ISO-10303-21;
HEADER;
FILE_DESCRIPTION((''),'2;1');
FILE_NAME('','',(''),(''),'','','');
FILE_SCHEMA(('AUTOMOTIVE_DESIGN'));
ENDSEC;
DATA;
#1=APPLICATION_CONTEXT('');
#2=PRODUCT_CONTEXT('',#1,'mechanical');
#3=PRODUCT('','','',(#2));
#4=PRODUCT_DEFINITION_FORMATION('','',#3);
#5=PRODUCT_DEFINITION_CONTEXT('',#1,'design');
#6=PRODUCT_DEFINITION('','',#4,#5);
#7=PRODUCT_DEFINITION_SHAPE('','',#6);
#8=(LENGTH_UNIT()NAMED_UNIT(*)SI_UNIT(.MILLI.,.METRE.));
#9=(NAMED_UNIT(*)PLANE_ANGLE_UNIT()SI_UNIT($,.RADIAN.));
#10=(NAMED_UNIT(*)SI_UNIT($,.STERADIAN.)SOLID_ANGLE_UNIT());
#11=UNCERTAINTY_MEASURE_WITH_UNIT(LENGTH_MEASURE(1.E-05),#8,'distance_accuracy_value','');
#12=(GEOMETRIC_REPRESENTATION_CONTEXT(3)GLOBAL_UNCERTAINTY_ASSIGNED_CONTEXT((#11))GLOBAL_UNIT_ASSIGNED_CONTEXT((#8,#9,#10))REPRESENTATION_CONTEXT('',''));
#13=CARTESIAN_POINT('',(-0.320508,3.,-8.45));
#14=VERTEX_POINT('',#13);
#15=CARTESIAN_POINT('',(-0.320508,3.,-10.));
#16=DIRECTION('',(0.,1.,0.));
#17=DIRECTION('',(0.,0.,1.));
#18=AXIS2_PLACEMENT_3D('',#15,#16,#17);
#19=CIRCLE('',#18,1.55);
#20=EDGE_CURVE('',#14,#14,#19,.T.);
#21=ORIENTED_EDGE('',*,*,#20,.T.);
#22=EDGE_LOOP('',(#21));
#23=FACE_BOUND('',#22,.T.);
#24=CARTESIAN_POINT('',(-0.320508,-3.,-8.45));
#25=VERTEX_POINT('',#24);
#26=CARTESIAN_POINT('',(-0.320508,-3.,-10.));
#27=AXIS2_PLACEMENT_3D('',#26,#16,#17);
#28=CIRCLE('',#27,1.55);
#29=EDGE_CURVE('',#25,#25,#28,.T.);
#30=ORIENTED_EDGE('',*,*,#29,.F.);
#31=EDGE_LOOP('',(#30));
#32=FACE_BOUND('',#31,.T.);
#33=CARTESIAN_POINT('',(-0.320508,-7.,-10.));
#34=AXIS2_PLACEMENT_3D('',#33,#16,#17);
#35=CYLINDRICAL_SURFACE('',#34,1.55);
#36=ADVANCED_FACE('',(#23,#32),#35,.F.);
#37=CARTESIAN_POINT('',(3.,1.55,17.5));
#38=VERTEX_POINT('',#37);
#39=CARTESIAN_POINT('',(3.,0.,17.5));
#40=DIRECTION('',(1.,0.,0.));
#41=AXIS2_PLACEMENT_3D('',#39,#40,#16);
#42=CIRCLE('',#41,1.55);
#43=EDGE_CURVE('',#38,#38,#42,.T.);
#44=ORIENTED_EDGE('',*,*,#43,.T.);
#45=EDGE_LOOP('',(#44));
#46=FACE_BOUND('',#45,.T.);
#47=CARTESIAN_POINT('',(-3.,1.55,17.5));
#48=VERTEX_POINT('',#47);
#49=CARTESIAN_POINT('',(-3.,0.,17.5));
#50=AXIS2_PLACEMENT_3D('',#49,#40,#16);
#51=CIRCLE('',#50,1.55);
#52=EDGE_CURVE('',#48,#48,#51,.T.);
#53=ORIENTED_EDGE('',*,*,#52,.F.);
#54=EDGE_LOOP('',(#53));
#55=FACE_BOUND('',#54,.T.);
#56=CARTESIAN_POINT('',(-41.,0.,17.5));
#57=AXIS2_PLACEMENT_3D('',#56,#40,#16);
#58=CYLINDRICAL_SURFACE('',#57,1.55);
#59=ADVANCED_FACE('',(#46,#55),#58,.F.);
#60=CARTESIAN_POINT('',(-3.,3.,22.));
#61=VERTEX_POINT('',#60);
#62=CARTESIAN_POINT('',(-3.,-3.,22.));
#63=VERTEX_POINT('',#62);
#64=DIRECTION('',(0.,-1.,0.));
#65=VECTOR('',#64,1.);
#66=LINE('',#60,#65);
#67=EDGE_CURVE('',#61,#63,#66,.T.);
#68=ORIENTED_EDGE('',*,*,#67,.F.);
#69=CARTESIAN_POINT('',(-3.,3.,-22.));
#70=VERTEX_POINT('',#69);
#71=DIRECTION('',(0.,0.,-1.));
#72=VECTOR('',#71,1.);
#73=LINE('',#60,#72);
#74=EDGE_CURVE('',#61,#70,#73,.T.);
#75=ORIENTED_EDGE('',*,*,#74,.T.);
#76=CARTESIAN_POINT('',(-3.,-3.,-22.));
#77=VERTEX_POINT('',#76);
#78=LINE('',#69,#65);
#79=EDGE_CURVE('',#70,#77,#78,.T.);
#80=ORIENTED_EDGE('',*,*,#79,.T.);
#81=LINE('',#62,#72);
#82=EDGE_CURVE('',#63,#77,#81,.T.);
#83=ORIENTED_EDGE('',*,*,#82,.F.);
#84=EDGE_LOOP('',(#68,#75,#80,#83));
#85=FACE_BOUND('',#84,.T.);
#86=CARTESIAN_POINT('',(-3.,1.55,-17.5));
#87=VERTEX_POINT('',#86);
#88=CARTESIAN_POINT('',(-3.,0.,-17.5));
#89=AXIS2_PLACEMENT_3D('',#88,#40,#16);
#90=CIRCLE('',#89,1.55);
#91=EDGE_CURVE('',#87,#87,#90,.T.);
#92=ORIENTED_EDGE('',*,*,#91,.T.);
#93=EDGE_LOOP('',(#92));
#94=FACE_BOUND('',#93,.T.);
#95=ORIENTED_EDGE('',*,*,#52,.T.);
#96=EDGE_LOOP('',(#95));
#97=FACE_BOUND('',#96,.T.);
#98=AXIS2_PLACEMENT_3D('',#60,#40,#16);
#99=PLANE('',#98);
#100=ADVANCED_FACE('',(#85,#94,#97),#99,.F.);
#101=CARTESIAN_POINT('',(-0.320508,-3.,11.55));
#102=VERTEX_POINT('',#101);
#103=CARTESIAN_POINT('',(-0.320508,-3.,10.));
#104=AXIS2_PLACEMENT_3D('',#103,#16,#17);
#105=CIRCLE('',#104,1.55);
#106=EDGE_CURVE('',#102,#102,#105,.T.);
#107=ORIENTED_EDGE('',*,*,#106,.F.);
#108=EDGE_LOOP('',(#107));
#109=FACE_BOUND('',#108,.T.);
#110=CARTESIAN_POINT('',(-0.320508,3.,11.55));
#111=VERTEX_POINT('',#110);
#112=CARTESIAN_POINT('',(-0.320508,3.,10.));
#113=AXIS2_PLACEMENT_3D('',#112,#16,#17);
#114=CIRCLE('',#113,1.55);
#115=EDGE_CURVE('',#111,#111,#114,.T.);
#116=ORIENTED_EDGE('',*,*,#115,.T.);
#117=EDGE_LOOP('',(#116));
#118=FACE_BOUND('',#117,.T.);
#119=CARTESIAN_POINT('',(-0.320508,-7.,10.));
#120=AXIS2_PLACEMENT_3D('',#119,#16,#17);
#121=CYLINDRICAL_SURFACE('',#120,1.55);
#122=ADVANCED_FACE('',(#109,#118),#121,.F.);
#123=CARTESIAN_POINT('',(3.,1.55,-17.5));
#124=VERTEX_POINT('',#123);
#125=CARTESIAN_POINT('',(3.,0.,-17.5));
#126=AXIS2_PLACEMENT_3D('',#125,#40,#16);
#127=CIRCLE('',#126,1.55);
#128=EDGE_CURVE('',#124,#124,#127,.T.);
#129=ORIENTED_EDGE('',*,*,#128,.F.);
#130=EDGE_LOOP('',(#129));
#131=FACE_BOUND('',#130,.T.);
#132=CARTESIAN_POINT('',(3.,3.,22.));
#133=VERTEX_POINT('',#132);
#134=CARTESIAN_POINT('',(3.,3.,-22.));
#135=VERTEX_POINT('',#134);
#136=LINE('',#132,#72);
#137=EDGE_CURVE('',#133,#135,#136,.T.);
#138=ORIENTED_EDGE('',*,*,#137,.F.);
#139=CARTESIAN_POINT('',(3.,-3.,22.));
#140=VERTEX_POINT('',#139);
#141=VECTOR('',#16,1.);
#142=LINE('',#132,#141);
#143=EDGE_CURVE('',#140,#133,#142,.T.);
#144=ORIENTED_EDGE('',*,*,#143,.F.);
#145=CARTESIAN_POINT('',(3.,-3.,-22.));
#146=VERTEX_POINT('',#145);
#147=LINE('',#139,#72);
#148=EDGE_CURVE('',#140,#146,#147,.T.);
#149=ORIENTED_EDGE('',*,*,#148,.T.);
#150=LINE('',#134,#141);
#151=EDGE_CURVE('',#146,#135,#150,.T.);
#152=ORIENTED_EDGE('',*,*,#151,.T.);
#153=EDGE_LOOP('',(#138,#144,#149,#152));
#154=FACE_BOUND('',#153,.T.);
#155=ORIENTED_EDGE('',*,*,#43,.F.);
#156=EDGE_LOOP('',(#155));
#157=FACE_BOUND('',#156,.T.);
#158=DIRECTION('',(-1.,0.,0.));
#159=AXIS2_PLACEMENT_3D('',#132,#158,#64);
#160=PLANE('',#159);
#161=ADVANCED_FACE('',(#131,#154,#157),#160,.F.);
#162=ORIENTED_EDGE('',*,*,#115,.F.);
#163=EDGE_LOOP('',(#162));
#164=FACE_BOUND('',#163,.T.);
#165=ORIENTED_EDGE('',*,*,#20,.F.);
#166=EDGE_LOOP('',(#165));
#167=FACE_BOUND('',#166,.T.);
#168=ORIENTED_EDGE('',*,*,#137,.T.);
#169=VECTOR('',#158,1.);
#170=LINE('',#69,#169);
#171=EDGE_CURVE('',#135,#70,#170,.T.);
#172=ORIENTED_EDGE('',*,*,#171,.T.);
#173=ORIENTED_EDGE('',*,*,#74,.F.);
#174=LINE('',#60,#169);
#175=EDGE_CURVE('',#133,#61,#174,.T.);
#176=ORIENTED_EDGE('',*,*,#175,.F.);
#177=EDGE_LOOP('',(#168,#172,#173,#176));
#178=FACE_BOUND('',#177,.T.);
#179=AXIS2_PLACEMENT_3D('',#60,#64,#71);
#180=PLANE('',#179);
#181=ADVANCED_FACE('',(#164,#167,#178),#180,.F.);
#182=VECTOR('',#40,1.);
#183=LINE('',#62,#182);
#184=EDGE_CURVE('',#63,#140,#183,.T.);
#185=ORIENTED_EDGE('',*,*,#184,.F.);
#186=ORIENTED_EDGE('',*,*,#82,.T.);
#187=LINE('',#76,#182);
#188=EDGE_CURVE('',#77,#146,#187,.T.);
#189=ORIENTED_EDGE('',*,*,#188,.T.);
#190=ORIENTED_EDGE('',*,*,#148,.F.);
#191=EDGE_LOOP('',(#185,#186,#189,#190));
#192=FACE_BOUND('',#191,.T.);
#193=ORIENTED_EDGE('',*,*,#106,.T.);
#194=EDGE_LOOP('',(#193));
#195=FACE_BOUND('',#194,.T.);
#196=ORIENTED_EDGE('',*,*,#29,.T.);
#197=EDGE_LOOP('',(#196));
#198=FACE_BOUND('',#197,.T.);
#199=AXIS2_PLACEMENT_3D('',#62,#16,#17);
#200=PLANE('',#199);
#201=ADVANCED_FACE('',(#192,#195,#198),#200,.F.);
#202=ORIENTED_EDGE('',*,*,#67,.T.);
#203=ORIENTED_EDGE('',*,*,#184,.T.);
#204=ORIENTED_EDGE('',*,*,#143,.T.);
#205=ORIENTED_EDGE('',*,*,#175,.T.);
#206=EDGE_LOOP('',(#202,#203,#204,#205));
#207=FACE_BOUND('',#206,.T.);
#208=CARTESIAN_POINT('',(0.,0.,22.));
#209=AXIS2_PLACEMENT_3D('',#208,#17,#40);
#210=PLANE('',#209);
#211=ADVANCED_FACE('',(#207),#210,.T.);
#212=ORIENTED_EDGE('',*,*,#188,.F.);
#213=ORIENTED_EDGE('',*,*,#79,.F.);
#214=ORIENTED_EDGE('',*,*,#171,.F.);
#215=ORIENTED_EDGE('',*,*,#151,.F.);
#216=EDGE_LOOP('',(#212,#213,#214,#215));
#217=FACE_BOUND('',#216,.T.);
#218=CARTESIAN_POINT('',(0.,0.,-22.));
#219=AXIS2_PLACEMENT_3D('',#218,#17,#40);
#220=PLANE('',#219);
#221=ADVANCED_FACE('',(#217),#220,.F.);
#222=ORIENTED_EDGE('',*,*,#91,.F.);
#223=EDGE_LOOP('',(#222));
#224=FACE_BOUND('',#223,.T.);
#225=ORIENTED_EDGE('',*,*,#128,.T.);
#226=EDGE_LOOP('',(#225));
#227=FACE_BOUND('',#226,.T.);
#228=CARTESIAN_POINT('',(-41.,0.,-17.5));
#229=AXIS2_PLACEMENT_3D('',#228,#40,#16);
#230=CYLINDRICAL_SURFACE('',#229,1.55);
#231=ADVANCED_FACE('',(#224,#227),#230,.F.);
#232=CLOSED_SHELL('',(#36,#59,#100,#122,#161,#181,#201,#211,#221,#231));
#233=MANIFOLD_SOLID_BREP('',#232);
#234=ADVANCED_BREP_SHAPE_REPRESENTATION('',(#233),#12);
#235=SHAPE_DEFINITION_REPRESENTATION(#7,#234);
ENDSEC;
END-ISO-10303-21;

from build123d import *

# Parameters (mm, degrees)
SKETCH_1_W          = 6
SKETCH_1_H          = 6
EXTRUDE_1_DEPTH     = 22
SKETCH_3_R          = 1.55
CUT_EXTRUDE_1_DEPTH = 44
SKETCH_6_R          = 1.55
CUT_EXTRUDE_2_DEPTH = 10


with BuildPart() as part:
    # 草图1 → 凸台-拉伸1 (new, symmetric)
    with BuildSketch(Plane.XY):
        Rectangle(SKETCH_1_W, SKETCH_1_H)
    extrude(amount=EXTRUDE_1_DEPTH, both=True)

    # 草图3 → 切除-拉伸1 (cut)
    with BuildSketch(Plane(origin=(3, 0, 0), x_dir=(0, 0, -1), z_dir=(1, 0, 0))):
        with Locations(Location((-17.5, 0, 0), (0, 0, 90))):
            Circle(SKETCH_3_R)
        with Locations(Location((17.5, 0, 0), (0, 0, 90))):
            Circle(SKETCH_3_R)
    extrude(amount=-CUT_EXTRUDE_1_DEPTH, mode=Mode.SUBTRACT)

    # 草图6 → 切除-拉伸2 (cut)
    with BuildSketch(Plane(origin=(0, 3, 0), x_dir=(1, 0, 0), z_dir=(0, 1, 0))):
        with Locations(Location((-0.320508076, -10, 0), (0, 0, 270))):
            Circle(SKETCH_6_R)
        with Locations(Location((-0.320508076, 10, 0), (0, 0, 270))):
            Circle(SKETCH_6_R)
    extrude(amount=-CUT_EXTRUDE_2_DEPTH, mode=Mode.SUBTRACT)


solid = part.part
